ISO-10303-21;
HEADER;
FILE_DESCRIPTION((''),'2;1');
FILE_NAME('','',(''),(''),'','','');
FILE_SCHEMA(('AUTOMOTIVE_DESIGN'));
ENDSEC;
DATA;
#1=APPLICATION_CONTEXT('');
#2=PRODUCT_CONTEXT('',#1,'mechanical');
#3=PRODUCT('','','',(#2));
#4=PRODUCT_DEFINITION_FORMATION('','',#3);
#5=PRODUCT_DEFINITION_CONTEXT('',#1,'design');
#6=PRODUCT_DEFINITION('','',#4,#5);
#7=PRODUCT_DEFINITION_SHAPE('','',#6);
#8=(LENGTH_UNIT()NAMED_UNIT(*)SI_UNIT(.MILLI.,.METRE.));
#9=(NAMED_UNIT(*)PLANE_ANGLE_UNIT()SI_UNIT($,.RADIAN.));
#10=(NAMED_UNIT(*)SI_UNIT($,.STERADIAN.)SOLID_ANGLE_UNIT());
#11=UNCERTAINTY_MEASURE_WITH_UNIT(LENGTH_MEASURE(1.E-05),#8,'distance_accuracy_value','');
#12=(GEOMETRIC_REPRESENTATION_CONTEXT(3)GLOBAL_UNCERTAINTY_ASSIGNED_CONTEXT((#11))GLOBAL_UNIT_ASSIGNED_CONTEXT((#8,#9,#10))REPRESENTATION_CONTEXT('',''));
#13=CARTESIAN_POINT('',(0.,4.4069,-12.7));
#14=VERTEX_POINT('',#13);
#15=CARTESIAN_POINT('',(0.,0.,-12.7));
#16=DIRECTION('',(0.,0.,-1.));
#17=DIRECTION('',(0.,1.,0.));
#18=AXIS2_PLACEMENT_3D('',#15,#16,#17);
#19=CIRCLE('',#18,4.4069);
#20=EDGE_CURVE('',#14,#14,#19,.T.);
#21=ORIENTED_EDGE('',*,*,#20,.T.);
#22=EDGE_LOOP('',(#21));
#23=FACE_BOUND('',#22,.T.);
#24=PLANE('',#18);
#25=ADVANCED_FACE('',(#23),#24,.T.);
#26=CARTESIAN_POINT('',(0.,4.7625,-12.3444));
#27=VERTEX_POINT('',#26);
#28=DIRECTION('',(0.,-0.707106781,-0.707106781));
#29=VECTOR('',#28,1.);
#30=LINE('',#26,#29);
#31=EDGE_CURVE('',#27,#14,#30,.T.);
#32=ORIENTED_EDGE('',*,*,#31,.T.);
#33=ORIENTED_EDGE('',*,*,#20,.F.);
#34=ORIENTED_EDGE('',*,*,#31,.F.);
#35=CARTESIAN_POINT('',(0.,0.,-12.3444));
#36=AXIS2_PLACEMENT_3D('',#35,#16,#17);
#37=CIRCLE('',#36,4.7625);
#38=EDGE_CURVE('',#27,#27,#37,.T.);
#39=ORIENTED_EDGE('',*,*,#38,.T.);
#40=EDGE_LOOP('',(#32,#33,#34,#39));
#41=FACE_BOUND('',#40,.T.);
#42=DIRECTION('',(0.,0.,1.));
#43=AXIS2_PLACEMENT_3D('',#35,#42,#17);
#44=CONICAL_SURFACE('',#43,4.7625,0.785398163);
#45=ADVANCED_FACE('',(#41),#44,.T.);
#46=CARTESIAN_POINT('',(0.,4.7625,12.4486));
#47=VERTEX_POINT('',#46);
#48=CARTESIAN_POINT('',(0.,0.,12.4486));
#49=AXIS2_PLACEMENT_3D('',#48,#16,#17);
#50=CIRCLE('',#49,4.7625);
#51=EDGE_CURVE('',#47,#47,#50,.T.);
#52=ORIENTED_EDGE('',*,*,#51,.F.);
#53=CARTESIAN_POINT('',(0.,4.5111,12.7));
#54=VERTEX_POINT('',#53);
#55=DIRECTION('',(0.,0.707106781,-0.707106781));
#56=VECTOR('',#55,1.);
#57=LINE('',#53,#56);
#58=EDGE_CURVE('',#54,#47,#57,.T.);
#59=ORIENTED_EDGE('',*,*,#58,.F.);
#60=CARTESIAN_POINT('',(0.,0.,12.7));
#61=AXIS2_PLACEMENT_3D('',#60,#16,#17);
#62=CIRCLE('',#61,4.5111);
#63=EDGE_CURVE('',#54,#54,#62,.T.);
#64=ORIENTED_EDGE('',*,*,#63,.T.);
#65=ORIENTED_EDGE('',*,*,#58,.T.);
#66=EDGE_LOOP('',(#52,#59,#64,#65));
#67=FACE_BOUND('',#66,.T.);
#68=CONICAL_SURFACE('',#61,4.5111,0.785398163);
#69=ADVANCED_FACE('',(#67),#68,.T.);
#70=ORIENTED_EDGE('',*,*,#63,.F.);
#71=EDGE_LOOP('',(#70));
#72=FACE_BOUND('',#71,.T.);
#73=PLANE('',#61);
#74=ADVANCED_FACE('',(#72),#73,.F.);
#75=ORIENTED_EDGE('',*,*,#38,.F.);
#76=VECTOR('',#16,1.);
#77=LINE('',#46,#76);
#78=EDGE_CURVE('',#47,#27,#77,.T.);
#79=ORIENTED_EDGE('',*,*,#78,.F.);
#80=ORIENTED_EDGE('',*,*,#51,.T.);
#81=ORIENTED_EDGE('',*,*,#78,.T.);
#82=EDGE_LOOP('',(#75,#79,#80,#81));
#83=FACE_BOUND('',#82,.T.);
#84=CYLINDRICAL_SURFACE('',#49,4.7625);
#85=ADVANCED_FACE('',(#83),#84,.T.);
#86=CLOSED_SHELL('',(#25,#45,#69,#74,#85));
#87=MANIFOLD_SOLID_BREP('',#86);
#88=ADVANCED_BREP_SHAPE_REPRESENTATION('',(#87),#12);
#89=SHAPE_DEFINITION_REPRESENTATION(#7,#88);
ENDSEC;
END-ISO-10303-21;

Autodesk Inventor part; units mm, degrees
sketch "Sketch_1" plane through (0, 0, 0) normal (1, 0, 0) x (0, 1, 0)
  line L0 (0, -12.7) -> (0, 12.7)
  line L1 (0, 12.7) -> (4.5111, 12.7)
  line L2 (4.5111, 12.7) -> (4.7625, 12.4486)
  line L3 (4.7625, 12.4486) -> (4.7625, -12.3444)
  line L4 (4.7625, -12.3444) -> (4.4069, -12.7)
  line L5 (4.4069, -12.7) -> (0, -12.7)
  line L6 (0, -12.7) -> (0, 12.7)
revolve "Revolution1" add sketch "Sketch_1" angle 360 about axis through (0, 0, -12.7) along (0, 0, -1)
ref_plane "dia1_XY" through (-4.7625, 0, 0) normal (0, 0, 1) x (1, 0, 0)
ref_plane "dia1_YZ" through (-4.7625, 0, 0) normal (1, 0, 0) x (0, 1, 0)
ref_plane "dia1_ZX" through (-4.7625, 0, 0) normal (0, 1, 0) x (0, 0, 1)
ref_plane "dia2_XY" through (4.7625, 0, 0) normal (0, 0, 1) x (1, 0, 0)
ref_plane "dia2_YZ" through (4.7625, 0, 0) normal (1, 0, 0) x (0, 1, 0)
ref_plane "dia2_ZX" through (4.7625, 0, 0) normal (0, 1, 0) x (0, 0, 1)
ref_plane "pin_XY" through (0, 0, 0) normal (0, 0, 1) x (1, 0, 0)
ref_plane "pin_YZ" through (0, 0, 0) normal (1, 0, 0) x (0, 1, 0)
ref_plane "pin_ZX" through (0, 0, 0) normal (0, 1, 0) x (0, 0, 1)
ref_plane "pin1_XY" through (0, 0, 12.7) normal (1, 0, 0) x (0, 0, -1)
ref_plane "pin1_YZ" through (0, 0, 12.7) normal (0, 0, -1) x (0, 1, 0)
ref_plane "pin1_ZX" through (0, 0, 12.7) normal (0, 1, 0) x (1, 0, 0)
ref_plane "pin2_XY" through (0, 0, -12.7) normal (1, 0, 0) x (0, 0, -1)
ref_plane "pin2_YZ" through (0, 0, -12.7) normal (0, 0, -1) x (0, 1, 0)
ref_plane "pin2_ZX" through (0, 0, -12.7) normal (0, 1, 0) x (1, 0, 0)
properties part number "D-358" material "Aluminum 6061"
